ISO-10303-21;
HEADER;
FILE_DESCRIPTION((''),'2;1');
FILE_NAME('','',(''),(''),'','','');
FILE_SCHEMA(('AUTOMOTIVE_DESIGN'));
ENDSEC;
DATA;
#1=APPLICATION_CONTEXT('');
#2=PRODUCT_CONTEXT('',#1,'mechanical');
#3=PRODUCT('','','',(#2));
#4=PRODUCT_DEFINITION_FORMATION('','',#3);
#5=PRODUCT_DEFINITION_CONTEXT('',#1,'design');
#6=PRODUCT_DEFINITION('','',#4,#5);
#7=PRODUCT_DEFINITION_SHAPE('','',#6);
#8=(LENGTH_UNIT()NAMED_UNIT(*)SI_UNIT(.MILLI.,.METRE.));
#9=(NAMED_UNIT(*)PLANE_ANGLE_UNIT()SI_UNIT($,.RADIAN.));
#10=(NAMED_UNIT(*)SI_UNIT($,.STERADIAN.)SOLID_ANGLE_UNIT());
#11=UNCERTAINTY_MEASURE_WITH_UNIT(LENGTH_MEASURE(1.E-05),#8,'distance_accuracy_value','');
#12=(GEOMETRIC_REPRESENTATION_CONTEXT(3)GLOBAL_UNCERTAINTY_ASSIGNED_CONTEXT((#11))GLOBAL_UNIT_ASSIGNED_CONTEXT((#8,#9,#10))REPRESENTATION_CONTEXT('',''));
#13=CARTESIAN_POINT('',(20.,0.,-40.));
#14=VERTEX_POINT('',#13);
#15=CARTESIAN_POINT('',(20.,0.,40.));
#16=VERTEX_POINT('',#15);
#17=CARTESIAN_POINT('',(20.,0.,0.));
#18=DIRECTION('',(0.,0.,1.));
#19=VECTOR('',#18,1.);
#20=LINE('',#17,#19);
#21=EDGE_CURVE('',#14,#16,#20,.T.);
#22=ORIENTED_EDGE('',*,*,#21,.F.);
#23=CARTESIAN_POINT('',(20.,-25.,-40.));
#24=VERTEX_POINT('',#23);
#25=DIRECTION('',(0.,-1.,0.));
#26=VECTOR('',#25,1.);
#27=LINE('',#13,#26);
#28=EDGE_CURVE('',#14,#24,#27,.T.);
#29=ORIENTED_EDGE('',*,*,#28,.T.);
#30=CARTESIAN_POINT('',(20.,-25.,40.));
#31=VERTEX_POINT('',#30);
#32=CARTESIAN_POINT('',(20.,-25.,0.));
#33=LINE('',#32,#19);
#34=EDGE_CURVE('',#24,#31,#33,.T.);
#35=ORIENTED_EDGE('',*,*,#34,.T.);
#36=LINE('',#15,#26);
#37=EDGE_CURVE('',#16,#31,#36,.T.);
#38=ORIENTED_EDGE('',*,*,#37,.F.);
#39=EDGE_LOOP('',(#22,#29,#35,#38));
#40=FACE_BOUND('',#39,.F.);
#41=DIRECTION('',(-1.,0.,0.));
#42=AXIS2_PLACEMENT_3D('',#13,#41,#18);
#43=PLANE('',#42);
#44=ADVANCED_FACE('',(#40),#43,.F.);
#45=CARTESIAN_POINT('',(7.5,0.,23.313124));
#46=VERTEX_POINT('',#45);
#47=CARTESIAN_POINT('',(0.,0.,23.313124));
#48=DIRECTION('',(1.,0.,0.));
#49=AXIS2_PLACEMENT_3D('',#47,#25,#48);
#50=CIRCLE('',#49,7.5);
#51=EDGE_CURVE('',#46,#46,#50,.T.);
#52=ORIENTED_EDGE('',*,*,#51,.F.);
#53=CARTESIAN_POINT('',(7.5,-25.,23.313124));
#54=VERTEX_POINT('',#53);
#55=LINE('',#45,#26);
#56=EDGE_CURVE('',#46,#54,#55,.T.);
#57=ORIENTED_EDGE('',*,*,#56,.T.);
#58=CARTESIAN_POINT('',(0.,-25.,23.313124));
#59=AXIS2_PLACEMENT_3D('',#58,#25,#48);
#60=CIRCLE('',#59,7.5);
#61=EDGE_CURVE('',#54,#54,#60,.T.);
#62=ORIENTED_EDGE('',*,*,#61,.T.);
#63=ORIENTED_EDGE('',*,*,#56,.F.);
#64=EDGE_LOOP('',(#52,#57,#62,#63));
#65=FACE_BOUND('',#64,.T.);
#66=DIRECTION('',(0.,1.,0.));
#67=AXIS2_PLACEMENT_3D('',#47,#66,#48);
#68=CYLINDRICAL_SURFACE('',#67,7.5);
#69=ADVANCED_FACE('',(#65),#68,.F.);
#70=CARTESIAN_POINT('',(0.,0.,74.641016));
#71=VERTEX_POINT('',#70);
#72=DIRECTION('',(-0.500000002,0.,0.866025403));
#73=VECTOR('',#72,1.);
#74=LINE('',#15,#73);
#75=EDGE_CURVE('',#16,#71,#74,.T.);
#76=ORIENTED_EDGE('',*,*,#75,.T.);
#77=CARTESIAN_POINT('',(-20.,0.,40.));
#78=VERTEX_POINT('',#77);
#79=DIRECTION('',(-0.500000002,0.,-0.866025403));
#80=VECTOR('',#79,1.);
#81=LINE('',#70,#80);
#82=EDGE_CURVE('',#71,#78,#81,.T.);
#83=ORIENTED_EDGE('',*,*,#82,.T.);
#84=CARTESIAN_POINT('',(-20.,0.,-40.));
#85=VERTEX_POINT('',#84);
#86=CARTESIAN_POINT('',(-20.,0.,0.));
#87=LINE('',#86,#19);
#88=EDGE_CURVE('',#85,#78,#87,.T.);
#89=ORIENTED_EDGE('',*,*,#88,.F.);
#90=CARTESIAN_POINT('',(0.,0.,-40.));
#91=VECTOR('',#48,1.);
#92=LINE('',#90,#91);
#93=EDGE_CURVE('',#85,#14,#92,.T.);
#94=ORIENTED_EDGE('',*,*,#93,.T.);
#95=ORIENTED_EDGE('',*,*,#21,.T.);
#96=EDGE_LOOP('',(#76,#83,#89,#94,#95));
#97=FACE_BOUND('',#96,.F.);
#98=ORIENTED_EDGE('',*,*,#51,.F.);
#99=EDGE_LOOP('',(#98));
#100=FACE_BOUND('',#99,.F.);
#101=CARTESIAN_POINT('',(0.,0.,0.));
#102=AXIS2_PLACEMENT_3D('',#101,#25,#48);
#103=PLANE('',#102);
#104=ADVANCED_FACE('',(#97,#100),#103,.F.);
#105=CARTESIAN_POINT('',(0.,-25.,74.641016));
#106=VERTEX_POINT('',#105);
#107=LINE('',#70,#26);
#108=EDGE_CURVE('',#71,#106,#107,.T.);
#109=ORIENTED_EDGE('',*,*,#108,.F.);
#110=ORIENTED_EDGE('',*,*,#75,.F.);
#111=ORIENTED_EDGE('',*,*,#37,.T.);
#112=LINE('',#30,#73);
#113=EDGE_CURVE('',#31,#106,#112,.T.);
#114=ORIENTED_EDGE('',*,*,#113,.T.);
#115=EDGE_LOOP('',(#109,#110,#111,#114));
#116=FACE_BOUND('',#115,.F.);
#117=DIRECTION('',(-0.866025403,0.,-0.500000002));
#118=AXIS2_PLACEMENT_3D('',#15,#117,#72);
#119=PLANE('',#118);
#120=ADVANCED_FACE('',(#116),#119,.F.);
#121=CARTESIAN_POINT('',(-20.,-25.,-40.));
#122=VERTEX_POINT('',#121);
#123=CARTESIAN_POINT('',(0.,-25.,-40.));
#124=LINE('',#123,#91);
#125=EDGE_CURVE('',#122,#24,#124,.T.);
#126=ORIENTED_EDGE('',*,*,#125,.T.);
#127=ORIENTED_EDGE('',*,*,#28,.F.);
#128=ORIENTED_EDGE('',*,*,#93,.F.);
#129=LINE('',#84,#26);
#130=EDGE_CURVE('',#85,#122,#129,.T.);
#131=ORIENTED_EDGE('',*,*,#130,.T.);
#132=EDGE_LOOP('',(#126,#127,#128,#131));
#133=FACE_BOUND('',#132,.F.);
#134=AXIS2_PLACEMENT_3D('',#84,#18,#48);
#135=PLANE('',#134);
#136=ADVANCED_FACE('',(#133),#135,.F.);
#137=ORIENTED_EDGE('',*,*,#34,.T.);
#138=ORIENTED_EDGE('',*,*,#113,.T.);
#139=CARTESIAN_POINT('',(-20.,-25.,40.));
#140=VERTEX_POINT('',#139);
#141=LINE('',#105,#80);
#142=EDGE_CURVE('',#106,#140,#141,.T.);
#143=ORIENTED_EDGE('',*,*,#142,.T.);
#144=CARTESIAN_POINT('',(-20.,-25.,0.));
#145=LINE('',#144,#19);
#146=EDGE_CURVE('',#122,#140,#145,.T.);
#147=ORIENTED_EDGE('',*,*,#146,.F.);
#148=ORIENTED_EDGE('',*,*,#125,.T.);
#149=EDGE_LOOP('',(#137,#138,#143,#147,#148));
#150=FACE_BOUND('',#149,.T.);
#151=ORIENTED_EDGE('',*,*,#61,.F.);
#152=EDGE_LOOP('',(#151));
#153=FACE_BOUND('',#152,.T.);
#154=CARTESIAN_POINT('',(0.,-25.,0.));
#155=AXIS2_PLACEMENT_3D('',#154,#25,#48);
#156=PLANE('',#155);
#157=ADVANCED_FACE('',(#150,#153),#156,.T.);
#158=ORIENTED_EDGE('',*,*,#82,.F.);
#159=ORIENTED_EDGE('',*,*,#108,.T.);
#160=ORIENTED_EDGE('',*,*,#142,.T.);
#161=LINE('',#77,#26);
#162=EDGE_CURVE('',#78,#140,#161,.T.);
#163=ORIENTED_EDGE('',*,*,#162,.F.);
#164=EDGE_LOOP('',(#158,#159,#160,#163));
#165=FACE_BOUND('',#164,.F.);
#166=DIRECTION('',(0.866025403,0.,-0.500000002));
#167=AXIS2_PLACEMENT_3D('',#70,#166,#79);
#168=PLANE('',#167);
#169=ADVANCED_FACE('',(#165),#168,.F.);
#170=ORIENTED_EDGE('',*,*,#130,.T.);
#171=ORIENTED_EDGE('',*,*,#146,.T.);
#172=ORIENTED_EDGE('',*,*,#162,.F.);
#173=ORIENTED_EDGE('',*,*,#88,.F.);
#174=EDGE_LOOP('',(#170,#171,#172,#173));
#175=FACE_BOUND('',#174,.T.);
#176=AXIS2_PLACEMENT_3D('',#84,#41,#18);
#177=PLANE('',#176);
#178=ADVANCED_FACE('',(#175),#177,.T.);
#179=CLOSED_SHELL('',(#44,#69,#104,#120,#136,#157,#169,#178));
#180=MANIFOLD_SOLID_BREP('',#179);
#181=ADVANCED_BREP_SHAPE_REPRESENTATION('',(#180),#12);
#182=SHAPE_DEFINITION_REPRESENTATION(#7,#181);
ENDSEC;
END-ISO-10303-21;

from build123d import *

# Parameters (mm, degrees)
F0_W     = 40
F0_H     = 80
F0_R     = 7.5
F1_DEPTH = 25


with BuildPart() as f1:
    # F0 (on Front) → F1 (new body)
    with BuildSketch(Plane.XZ):
        Rectangle(F0_W, F0_H)
        with Locations((0, 23.313124)):
            Circle(F0_R, mode=Mode.SUBTRACT)
        Polygon((-20, 40), (20, 40), (0, 74.641016), align=None)
    extrude(amount=F1_DEPTH)


solid = f1.part
